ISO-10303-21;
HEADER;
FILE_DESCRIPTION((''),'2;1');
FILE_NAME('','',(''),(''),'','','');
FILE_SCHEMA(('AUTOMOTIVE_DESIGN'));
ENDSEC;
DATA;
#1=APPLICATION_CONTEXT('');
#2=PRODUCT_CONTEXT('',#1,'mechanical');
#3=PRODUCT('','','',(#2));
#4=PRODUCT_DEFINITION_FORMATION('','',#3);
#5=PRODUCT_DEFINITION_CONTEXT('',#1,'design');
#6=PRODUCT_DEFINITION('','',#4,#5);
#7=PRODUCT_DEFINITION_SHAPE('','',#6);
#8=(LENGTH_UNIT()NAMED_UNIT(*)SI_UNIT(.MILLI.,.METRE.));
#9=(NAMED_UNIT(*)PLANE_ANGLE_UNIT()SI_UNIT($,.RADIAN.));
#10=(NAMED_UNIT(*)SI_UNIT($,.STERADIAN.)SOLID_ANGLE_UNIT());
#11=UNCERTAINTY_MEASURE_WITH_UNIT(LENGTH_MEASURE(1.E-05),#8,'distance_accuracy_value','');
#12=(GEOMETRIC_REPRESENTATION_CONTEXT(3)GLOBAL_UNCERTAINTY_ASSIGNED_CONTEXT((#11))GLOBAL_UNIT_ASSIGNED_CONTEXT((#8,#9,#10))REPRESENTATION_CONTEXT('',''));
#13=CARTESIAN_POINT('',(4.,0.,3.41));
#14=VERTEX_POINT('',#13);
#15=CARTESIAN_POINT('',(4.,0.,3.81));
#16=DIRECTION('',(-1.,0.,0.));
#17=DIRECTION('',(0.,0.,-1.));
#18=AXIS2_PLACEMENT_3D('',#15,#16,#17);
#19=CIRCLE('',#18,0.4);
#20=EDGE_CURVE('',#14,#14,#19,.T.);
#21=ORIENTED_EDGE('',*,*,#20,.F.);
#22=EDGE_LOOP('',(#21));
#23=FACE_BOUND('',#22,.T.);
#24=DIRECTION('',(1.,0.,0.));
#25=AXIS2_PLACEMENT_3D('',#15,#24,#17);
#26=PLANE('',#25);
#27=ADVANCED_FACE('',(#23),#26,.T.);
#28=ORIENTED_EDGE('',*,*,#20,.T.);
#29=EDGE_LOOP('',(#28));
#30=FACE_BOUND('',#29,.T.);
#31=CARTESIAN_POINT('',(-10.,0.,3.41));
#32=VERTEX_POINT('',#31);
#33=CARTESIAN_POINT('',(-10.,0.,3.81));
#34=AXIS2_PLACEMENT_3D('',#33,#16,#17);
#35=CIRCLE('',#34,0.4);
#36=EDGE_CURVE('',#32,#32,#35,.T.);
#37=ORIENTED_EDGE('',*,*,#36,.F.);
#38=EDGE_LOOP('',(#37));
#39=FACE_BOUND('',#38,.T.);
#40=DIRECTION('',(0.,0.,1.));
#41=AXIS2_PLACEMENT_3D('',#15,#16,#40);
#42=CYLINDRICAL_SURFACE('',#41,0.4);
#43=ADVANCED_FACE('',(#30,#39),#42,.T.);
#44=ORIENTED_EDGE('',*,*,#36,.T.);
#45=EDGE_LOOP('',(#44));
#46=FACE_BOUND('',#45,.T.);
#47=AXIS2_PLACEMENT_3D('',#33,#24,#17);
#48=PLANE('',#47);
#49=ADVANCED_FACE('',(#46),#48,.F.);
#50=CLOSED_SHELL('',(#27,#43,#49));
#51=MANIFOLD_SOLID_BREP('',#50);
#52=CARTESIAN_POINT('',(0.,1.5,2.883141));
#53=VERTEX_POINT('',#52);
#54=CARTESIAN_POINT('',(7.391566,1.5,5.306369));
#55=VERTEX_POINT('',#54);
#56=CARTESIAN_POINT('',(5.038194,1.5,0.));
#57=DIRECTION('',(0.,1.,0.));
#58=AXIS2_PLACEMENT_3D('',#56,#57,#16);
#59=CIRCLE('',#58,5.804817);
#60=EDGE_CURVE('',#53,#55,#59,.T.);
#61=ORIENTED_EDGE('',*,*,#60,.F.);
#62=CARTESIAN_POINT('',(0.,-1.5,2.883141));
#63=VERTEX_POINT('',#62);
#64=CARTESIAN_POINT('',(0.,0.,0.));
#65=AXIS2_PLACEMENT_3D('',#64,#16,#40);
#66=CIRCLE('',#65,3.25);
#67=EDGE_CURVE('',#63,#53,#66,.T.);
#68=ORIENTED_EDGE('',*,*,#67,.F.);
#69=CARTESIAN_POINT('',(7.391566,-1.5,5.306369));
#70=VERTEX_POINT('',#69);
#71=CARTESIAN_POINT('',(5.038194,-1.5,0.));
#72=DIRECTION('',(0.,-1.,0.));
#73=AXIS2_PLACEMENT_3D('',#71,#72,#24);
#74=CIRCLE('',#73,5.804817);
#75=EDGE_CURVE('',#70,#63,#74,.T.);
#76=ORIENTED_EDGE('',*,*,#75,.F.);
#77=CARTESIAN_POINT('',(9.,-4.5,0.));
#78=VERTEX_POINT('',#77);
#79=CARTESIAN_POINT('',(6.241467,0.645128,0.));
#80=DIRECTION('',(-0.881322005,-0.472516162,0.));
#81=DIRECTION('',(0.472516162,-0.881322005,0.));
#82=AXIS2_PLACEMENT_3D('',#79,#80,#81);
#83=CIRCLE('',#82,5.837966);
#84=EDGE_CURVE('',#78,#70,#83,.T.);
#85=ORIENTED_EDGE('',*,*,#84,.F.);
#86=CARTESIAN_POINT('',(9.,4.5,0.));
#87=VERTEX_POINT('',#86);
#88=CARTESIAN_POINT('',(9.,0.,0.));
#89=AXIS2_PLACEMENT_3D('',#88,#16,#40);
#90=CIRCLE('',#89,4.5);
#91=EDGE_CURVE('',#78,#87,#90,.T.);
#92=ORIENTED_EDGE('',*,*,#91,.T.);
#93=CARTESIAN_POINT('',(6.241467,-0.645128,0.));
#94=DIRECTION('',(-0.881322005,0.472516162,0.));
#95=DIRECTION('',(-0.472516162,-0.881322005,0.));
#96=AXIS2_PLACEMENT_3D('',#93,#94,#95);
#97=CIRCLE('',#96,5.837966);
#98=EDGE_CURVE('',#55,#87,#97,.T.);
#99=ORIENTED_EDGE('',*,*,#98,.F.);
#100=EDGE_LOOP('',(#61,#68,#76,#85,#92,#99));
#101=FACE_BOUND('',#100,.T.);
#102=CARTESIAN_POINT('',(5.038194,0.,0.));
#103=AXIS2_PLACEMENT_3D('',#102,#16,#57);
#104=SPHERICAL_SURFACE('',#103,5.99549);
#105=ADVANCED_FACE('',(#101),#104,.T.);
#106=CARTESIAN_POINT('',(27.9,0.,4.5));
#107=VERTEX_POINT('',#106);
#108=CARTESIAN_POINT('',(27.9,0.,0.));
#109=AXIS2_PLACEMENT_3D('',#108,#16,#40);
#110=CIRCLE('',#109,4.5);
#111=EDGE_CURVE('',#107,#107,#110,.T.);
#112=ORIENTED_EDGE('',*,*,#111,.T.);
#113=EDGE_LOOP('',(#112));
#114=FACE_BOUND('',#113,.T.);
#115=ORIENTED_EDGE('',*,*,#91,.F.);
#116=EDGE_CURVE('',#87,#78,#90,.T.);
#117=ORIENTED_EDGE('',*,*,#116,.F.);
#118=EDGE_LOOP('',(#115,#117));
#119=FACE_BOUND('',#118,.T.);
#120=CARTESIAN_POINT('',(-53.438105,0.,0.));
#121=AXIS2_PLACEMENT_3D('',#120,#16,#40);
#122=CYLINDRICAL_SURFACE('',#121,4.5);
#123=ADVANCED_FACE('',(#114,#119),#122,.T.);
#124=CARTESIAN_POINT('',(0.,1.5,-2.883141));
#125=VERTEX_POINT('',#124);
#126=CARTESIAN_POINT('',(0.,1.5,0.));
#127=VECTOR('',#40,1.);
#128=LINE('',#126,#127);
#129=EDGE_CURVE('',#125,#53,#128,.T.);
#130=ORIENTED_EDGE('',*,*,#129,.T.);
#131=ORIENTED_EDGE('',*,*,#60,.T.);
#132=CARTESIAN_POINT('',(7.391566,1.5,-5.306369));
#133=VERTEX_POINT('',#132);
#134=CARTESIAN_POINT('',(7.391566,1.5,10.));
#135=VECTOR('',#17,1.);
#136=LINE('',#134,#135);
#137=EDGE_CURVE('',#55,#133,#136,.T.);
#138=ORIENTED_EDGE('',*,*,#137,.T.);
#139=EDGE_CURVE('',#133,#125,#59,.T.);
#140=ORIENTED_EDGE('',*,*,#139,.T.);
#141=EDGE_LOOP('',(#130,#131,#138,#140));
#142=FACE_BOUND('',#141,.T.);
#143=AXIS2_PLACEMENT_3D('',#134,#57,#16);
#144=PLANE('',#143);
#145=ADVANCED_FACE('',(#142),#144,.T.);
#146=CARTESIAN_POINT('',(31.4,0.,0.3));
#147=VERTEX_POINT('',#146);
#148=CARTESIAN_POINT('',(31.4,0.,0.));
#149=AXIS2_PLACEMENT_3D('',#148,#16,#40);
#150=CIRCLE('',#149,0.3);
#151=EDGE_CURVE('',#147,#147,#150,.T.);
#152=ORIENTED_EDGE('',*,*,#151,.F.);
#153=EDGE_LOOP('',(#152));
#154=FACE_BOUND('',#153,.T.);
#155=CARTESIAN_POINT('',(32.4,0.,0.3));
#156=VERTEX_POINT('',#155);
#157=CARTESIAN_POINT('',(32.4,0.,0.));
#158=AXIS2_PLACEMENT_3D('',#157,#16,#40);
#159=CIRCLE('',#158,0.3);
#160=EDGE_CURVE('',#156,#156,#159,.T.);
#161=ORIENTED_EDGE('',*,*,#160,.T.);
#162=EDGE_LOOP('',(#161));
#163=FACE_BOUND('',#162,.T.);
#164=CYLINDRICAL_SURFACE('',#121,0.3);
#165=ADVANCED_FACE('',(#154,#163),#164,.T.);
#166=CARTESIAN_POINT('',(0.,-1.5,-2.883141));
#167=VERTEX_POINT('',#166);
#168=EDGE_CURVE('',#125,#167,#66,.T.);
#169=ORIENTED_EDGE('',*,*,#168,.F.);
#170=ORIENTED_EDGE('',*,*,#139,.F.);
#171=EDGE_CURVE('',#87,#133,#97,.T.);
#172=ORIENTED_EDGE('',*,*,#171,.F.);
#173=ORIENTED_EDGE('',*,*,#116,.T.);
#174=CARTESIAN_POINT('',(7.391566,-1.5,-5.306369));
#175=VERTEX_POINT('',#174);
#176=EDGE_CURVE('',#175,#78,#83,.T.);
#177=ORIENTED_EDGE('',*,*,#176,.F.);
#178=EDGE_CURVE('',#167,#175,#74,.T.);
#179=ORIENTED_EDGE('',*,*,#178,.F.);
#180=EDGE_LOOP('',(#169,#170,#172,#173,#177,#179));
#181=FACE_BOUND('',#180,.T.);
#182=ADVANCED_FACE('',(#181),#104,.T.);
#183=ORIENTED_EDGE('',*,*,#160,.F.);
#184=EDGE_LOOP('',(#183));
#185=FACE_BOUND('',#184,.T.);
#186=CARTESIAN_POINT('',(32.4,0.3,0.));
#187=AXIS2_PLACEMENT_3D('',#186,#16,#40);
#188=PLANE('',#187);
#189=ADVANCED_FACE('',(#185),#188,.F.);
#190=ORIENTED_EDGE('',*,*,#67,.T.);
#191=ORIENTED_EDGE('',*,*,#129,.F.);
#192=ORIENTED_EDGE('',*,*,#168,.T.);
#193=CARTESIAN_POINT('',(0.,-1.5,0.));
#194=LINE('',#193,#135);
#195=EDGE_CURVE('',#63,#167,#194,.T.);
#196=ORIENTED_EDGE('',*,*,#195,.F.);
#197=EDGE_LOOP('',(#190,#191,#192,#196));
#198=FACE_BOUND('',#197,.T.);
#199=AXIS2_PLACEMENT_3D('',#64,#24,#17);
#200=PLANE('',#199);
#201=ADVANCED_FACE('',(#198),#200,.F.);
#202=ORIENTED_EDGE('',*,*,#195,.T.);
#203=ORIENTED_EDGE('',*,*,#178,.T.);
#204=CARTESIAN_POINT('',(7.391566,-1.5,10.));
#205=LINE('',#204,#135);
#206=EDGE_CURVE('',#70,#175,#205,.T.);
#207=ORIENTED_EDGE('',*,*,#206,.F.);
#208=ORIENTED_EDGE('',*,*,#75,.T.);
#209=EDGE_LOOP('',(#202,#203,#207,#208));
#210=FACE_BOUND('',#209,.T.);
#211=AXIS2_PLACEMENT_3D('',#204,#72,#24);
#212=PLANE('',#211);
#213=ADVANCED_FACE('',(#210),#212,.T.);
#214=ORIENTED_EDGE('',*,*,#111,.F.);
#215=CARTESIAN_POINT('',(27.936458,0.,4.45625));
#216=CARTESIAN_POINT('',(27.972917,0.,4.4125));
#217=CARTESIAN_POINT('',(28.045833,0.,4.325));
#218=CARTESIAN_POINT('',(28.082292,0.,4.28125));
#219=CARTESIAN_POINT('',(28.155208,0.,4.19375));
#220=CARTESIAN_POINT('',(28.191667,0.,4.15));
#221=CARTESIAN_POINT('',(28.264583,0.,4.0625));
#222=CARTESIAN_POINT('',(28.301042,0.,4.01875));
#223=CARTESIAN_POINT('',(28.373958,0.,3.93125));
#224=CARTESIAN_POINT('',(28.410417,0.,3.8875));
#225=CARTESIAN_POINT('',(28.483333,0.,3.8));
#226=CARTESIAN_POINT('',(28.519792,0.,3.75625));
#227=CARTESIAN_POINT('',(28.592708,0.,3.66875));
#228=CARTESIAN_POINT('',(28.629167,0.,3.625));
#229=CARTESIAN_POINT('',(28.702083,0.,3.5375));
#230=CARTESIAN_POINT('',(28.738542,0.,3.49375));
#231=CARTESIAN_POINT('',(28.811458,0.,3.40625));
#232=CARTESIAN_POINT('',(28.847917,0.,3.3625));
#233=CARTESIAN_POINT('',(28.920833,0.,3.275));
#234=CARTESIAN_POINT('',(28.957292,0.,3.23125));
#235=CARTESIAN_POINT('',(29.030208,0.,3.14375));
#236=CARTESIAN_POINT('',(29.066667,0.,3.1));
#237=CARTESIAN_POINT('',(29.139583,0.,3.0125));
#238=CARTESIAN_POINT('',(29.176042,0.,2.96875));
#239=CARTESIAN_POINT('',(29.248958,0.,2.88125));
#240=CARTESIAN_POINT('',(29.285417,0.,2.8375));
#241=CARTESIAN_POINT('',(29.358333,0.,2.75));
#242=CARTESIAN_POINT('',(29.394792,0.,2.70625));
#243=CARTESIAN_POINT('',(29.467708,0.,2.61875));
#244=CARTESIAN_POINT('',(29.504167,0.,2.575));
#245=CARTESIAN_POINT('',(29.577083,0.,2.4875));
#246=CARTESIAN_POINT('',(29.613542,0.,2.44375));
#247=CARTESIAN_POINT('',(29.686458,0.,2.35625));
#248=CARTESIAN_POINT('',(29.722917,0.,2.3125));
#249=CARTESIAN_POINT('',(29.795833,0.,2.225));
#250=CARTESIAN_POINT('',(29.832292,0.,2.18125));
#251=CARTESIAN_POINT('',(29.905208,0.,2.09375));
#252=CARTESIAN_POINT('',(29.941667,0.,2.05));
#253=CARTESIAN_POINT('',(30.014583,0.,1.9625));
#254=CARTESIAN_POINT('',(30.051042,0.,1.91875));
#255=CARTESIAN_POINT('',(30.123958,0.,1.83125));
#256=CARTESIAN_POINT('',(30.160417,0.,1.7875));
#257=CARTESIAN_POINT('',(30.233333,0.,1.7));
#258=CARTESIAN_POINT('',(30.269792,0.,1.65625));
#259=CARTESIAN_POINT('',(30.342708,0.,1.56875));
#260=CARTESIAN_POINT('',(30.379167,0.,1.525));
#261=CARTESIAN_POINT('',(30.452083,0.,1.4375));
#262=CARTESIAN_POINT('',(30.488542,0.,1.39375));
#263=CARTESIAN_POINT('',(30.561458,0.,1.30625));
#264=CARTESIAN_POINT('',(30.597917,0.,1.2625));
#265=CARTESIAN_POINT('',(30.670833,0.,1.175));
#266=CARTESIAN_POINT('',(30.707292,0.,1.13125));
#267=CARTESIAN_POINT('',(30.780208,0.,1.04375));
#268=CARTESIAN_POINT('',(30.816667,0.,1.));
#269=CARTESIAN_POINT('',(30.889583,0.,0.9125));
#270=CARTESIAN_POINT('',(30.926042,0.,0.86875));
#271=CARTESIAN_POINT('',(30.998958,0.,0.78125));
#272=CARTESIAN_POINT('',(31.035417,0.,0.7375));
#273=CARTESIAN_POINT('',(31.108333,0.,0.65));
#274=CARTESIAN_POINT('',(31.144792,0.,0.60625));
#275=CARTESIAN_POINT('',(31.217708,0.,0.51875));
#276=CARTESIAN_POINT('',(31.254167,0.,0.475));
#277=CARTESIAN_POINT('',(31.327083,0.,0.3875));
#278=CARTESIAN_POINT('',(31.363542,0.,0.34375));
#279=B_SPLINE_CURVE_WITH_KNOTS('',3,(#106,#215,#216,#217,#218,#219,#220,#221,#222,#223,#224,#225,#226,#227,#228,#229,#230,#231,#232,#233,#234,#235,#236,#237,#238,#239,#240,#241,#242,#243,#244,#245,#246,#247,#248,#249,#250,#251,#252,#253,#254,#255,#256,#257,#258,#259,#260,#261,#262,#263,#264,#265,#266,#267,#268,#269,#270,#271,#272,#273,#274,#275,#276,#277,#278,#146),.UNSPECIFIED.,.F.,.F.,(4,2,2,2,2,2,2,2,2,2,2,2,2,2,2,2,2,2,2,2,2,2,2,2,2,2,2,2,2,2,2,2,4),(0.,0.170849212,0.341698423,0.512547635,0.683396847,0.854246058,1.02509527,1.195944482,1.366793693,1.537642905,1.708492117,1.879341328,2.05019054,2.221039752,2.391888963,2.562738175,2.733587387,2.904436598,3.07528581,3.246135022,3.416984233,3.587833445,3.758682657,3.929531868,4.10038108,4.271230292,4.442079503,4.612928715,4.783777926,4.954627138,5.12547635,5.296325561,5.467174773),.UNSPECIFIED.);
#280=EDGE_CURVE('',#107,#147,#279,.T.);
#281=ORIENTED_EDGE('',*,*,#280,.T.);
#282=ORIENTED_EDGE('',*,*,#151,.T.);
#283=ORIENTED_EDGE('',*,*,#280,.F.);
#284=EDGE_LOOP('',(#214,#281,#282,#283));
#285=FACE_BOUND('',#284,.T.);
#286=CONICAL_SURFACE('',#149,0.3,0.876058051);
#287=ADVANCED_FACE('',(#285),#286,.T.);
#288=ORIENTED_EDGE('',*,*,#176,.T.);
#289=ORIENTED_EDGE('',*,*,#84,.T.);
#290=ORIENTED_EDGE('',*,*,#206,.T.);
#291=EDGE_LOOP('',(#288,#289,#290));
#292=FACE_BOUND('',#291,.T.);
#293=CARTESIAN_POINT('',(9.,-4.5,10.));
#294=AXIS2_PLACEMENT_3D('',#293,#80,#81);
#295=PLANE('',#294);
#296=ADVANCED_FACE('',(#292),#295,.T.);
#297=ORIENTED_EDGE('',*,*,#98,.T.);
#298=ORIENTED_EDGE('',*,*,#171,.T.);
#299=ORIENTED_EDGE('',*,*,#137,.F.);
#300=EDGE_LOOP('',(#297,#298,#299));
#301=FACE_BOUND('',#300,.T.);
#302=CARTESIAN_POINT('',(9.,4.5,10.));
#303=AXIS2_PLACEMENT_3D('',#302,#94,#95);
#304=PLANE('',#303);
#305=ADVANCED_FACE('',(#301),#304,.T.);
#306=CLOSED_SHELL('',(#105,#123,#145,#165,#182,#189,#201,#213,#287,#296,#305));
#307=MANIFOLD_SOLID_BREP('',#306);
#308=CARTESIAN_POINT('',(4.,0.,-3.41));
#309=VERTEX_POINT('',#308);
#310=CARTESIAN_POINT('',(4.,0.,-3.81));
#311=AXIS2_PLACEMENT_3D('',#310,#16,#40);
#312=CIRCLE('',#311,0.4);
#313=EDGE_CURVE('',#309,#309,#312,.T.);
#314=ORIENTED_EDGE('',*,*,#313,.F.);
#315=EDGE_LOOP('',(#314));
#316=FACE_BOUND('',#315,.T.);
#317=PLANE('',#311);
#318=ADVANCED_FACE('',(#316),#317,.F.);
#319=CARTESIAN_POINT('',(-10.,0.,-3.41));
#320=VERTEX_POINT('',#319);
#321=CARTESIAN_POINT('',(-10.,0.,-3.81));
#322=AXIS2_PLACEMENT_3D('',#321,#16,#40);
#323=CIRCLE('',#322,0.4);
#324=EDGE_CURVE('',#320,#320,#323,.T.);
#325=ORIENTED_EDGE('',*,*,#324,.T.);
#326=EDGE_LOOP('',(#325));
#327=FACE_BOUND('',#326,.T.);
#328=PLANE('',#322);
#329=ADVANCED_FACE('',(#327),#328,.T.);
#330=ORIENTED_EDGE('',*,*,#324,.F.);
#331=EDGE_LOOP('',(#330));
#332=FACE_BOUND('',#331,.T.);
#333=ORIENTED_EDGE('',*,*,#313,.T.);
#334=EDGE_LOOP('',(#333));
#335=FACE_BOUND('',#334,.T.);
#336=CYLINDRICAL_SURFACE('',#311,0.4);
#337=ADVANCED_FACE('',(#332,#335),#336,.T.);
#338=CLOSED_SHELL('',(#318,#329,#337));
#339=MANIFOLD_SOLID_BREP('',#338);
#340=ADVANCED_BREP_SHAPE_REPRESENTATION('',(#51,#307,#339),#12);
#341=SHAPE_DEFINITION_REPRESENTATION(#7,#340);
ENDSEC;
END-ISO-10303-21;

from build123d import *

# Parameters (mm, degrees)
CUT_EXTRUDE_1_DEPTH      = 10
CUT_EXTRUDE_1_DEPTH_BACK = 10
EXTRUDE_1_DEPTH          = 10
EXTRUDE_1_DEPTH_BACK     = 4
SKETCH_2_R               = 0.4
EXTRUDE_1_2_DEPTH        = 10
EXTRUDE_1_2_DEPTH_BACK   = 4


with BuildPart() as part:
    # 草图1 → 旋转1 (revolve)
    with BuildSketch(Plane.XY):
        with BuildLine():
            Line((0, 0), (0, 3.25))
            ThreePointArc((0, 3.25), (4.213404617, 5.93848676), (9, 4.5))
            Line((9, 4.5), (27.9, 4.5))
            Line((27.9, 4.5), (31.4, 0.3))
            Line((31.4, 0.3), (32.4, 0.3))
            Line((32.4, 0.3), (32.4, 0))
            Line((32.4, 0), (0, 0))
        make_face()
    revolve(axis=Axis((-53.438104907, 0, 0), (1, 0, 0)))

    # 草图3 → 切除-拉伸1 (cut, two sides: drawn at the far end of the back side and taken through both)
    with BuildSketch(Plane.XY.offset(-CUT_EXTRUDE_1_DEPTH_BACK)):
        Polygon((9, 4.5), (7.391565763, 1.5), (-2.815334695, 1.5), (-2.815334695, 8.903303641), (9, 8.903303641), align=None)
        Polygon((9, -8.903303641), (9, -4.5), (7.391565763, -1.5), (-2.815334695, -1.5), (-2.815334695, -8.903303641), align=None)
    extrude(amount=CUT_EXTRUDE_1_DEPTH + CUT_EXTRUDE_1_DEPTH_BACK, mode=Mode.SUBTRACT)


with BuildPart() as body_2:
    # 草图2 → 凸台-拉伸1 (new, two sides: drawn at the far end of the back side and taken through both)
    with BuildSketch(Plane.ZY.offset(-EXTRUDE_1_DEPTH_BACK)):
        with Locations((-3.81, 0)):
            Circle(SKETCH_2_R)
    extrude(amount=EXTRUDE_1_DEPTH + EXTRUDE_1_DEPTH_BACK)


with BuildPart() as body_3:
    # 草图2 → Extrude 1 2 (new, two sides: drawn at the far end of the back side and taken through both)
    with BuildSketch(Plane.ZY.offset(-EXTRUDE_1_2_DEPTH_BACK)):
        with Locations((3.81, 0)):
            Circle(SKETCH_2_R)
    extrude(amount=EXTRUDE_1_2_DEPTH + EXTRUDE_1_2_DEPTH_BACK)


solid = Compound([part.part, body_2.part, body_3.part])
